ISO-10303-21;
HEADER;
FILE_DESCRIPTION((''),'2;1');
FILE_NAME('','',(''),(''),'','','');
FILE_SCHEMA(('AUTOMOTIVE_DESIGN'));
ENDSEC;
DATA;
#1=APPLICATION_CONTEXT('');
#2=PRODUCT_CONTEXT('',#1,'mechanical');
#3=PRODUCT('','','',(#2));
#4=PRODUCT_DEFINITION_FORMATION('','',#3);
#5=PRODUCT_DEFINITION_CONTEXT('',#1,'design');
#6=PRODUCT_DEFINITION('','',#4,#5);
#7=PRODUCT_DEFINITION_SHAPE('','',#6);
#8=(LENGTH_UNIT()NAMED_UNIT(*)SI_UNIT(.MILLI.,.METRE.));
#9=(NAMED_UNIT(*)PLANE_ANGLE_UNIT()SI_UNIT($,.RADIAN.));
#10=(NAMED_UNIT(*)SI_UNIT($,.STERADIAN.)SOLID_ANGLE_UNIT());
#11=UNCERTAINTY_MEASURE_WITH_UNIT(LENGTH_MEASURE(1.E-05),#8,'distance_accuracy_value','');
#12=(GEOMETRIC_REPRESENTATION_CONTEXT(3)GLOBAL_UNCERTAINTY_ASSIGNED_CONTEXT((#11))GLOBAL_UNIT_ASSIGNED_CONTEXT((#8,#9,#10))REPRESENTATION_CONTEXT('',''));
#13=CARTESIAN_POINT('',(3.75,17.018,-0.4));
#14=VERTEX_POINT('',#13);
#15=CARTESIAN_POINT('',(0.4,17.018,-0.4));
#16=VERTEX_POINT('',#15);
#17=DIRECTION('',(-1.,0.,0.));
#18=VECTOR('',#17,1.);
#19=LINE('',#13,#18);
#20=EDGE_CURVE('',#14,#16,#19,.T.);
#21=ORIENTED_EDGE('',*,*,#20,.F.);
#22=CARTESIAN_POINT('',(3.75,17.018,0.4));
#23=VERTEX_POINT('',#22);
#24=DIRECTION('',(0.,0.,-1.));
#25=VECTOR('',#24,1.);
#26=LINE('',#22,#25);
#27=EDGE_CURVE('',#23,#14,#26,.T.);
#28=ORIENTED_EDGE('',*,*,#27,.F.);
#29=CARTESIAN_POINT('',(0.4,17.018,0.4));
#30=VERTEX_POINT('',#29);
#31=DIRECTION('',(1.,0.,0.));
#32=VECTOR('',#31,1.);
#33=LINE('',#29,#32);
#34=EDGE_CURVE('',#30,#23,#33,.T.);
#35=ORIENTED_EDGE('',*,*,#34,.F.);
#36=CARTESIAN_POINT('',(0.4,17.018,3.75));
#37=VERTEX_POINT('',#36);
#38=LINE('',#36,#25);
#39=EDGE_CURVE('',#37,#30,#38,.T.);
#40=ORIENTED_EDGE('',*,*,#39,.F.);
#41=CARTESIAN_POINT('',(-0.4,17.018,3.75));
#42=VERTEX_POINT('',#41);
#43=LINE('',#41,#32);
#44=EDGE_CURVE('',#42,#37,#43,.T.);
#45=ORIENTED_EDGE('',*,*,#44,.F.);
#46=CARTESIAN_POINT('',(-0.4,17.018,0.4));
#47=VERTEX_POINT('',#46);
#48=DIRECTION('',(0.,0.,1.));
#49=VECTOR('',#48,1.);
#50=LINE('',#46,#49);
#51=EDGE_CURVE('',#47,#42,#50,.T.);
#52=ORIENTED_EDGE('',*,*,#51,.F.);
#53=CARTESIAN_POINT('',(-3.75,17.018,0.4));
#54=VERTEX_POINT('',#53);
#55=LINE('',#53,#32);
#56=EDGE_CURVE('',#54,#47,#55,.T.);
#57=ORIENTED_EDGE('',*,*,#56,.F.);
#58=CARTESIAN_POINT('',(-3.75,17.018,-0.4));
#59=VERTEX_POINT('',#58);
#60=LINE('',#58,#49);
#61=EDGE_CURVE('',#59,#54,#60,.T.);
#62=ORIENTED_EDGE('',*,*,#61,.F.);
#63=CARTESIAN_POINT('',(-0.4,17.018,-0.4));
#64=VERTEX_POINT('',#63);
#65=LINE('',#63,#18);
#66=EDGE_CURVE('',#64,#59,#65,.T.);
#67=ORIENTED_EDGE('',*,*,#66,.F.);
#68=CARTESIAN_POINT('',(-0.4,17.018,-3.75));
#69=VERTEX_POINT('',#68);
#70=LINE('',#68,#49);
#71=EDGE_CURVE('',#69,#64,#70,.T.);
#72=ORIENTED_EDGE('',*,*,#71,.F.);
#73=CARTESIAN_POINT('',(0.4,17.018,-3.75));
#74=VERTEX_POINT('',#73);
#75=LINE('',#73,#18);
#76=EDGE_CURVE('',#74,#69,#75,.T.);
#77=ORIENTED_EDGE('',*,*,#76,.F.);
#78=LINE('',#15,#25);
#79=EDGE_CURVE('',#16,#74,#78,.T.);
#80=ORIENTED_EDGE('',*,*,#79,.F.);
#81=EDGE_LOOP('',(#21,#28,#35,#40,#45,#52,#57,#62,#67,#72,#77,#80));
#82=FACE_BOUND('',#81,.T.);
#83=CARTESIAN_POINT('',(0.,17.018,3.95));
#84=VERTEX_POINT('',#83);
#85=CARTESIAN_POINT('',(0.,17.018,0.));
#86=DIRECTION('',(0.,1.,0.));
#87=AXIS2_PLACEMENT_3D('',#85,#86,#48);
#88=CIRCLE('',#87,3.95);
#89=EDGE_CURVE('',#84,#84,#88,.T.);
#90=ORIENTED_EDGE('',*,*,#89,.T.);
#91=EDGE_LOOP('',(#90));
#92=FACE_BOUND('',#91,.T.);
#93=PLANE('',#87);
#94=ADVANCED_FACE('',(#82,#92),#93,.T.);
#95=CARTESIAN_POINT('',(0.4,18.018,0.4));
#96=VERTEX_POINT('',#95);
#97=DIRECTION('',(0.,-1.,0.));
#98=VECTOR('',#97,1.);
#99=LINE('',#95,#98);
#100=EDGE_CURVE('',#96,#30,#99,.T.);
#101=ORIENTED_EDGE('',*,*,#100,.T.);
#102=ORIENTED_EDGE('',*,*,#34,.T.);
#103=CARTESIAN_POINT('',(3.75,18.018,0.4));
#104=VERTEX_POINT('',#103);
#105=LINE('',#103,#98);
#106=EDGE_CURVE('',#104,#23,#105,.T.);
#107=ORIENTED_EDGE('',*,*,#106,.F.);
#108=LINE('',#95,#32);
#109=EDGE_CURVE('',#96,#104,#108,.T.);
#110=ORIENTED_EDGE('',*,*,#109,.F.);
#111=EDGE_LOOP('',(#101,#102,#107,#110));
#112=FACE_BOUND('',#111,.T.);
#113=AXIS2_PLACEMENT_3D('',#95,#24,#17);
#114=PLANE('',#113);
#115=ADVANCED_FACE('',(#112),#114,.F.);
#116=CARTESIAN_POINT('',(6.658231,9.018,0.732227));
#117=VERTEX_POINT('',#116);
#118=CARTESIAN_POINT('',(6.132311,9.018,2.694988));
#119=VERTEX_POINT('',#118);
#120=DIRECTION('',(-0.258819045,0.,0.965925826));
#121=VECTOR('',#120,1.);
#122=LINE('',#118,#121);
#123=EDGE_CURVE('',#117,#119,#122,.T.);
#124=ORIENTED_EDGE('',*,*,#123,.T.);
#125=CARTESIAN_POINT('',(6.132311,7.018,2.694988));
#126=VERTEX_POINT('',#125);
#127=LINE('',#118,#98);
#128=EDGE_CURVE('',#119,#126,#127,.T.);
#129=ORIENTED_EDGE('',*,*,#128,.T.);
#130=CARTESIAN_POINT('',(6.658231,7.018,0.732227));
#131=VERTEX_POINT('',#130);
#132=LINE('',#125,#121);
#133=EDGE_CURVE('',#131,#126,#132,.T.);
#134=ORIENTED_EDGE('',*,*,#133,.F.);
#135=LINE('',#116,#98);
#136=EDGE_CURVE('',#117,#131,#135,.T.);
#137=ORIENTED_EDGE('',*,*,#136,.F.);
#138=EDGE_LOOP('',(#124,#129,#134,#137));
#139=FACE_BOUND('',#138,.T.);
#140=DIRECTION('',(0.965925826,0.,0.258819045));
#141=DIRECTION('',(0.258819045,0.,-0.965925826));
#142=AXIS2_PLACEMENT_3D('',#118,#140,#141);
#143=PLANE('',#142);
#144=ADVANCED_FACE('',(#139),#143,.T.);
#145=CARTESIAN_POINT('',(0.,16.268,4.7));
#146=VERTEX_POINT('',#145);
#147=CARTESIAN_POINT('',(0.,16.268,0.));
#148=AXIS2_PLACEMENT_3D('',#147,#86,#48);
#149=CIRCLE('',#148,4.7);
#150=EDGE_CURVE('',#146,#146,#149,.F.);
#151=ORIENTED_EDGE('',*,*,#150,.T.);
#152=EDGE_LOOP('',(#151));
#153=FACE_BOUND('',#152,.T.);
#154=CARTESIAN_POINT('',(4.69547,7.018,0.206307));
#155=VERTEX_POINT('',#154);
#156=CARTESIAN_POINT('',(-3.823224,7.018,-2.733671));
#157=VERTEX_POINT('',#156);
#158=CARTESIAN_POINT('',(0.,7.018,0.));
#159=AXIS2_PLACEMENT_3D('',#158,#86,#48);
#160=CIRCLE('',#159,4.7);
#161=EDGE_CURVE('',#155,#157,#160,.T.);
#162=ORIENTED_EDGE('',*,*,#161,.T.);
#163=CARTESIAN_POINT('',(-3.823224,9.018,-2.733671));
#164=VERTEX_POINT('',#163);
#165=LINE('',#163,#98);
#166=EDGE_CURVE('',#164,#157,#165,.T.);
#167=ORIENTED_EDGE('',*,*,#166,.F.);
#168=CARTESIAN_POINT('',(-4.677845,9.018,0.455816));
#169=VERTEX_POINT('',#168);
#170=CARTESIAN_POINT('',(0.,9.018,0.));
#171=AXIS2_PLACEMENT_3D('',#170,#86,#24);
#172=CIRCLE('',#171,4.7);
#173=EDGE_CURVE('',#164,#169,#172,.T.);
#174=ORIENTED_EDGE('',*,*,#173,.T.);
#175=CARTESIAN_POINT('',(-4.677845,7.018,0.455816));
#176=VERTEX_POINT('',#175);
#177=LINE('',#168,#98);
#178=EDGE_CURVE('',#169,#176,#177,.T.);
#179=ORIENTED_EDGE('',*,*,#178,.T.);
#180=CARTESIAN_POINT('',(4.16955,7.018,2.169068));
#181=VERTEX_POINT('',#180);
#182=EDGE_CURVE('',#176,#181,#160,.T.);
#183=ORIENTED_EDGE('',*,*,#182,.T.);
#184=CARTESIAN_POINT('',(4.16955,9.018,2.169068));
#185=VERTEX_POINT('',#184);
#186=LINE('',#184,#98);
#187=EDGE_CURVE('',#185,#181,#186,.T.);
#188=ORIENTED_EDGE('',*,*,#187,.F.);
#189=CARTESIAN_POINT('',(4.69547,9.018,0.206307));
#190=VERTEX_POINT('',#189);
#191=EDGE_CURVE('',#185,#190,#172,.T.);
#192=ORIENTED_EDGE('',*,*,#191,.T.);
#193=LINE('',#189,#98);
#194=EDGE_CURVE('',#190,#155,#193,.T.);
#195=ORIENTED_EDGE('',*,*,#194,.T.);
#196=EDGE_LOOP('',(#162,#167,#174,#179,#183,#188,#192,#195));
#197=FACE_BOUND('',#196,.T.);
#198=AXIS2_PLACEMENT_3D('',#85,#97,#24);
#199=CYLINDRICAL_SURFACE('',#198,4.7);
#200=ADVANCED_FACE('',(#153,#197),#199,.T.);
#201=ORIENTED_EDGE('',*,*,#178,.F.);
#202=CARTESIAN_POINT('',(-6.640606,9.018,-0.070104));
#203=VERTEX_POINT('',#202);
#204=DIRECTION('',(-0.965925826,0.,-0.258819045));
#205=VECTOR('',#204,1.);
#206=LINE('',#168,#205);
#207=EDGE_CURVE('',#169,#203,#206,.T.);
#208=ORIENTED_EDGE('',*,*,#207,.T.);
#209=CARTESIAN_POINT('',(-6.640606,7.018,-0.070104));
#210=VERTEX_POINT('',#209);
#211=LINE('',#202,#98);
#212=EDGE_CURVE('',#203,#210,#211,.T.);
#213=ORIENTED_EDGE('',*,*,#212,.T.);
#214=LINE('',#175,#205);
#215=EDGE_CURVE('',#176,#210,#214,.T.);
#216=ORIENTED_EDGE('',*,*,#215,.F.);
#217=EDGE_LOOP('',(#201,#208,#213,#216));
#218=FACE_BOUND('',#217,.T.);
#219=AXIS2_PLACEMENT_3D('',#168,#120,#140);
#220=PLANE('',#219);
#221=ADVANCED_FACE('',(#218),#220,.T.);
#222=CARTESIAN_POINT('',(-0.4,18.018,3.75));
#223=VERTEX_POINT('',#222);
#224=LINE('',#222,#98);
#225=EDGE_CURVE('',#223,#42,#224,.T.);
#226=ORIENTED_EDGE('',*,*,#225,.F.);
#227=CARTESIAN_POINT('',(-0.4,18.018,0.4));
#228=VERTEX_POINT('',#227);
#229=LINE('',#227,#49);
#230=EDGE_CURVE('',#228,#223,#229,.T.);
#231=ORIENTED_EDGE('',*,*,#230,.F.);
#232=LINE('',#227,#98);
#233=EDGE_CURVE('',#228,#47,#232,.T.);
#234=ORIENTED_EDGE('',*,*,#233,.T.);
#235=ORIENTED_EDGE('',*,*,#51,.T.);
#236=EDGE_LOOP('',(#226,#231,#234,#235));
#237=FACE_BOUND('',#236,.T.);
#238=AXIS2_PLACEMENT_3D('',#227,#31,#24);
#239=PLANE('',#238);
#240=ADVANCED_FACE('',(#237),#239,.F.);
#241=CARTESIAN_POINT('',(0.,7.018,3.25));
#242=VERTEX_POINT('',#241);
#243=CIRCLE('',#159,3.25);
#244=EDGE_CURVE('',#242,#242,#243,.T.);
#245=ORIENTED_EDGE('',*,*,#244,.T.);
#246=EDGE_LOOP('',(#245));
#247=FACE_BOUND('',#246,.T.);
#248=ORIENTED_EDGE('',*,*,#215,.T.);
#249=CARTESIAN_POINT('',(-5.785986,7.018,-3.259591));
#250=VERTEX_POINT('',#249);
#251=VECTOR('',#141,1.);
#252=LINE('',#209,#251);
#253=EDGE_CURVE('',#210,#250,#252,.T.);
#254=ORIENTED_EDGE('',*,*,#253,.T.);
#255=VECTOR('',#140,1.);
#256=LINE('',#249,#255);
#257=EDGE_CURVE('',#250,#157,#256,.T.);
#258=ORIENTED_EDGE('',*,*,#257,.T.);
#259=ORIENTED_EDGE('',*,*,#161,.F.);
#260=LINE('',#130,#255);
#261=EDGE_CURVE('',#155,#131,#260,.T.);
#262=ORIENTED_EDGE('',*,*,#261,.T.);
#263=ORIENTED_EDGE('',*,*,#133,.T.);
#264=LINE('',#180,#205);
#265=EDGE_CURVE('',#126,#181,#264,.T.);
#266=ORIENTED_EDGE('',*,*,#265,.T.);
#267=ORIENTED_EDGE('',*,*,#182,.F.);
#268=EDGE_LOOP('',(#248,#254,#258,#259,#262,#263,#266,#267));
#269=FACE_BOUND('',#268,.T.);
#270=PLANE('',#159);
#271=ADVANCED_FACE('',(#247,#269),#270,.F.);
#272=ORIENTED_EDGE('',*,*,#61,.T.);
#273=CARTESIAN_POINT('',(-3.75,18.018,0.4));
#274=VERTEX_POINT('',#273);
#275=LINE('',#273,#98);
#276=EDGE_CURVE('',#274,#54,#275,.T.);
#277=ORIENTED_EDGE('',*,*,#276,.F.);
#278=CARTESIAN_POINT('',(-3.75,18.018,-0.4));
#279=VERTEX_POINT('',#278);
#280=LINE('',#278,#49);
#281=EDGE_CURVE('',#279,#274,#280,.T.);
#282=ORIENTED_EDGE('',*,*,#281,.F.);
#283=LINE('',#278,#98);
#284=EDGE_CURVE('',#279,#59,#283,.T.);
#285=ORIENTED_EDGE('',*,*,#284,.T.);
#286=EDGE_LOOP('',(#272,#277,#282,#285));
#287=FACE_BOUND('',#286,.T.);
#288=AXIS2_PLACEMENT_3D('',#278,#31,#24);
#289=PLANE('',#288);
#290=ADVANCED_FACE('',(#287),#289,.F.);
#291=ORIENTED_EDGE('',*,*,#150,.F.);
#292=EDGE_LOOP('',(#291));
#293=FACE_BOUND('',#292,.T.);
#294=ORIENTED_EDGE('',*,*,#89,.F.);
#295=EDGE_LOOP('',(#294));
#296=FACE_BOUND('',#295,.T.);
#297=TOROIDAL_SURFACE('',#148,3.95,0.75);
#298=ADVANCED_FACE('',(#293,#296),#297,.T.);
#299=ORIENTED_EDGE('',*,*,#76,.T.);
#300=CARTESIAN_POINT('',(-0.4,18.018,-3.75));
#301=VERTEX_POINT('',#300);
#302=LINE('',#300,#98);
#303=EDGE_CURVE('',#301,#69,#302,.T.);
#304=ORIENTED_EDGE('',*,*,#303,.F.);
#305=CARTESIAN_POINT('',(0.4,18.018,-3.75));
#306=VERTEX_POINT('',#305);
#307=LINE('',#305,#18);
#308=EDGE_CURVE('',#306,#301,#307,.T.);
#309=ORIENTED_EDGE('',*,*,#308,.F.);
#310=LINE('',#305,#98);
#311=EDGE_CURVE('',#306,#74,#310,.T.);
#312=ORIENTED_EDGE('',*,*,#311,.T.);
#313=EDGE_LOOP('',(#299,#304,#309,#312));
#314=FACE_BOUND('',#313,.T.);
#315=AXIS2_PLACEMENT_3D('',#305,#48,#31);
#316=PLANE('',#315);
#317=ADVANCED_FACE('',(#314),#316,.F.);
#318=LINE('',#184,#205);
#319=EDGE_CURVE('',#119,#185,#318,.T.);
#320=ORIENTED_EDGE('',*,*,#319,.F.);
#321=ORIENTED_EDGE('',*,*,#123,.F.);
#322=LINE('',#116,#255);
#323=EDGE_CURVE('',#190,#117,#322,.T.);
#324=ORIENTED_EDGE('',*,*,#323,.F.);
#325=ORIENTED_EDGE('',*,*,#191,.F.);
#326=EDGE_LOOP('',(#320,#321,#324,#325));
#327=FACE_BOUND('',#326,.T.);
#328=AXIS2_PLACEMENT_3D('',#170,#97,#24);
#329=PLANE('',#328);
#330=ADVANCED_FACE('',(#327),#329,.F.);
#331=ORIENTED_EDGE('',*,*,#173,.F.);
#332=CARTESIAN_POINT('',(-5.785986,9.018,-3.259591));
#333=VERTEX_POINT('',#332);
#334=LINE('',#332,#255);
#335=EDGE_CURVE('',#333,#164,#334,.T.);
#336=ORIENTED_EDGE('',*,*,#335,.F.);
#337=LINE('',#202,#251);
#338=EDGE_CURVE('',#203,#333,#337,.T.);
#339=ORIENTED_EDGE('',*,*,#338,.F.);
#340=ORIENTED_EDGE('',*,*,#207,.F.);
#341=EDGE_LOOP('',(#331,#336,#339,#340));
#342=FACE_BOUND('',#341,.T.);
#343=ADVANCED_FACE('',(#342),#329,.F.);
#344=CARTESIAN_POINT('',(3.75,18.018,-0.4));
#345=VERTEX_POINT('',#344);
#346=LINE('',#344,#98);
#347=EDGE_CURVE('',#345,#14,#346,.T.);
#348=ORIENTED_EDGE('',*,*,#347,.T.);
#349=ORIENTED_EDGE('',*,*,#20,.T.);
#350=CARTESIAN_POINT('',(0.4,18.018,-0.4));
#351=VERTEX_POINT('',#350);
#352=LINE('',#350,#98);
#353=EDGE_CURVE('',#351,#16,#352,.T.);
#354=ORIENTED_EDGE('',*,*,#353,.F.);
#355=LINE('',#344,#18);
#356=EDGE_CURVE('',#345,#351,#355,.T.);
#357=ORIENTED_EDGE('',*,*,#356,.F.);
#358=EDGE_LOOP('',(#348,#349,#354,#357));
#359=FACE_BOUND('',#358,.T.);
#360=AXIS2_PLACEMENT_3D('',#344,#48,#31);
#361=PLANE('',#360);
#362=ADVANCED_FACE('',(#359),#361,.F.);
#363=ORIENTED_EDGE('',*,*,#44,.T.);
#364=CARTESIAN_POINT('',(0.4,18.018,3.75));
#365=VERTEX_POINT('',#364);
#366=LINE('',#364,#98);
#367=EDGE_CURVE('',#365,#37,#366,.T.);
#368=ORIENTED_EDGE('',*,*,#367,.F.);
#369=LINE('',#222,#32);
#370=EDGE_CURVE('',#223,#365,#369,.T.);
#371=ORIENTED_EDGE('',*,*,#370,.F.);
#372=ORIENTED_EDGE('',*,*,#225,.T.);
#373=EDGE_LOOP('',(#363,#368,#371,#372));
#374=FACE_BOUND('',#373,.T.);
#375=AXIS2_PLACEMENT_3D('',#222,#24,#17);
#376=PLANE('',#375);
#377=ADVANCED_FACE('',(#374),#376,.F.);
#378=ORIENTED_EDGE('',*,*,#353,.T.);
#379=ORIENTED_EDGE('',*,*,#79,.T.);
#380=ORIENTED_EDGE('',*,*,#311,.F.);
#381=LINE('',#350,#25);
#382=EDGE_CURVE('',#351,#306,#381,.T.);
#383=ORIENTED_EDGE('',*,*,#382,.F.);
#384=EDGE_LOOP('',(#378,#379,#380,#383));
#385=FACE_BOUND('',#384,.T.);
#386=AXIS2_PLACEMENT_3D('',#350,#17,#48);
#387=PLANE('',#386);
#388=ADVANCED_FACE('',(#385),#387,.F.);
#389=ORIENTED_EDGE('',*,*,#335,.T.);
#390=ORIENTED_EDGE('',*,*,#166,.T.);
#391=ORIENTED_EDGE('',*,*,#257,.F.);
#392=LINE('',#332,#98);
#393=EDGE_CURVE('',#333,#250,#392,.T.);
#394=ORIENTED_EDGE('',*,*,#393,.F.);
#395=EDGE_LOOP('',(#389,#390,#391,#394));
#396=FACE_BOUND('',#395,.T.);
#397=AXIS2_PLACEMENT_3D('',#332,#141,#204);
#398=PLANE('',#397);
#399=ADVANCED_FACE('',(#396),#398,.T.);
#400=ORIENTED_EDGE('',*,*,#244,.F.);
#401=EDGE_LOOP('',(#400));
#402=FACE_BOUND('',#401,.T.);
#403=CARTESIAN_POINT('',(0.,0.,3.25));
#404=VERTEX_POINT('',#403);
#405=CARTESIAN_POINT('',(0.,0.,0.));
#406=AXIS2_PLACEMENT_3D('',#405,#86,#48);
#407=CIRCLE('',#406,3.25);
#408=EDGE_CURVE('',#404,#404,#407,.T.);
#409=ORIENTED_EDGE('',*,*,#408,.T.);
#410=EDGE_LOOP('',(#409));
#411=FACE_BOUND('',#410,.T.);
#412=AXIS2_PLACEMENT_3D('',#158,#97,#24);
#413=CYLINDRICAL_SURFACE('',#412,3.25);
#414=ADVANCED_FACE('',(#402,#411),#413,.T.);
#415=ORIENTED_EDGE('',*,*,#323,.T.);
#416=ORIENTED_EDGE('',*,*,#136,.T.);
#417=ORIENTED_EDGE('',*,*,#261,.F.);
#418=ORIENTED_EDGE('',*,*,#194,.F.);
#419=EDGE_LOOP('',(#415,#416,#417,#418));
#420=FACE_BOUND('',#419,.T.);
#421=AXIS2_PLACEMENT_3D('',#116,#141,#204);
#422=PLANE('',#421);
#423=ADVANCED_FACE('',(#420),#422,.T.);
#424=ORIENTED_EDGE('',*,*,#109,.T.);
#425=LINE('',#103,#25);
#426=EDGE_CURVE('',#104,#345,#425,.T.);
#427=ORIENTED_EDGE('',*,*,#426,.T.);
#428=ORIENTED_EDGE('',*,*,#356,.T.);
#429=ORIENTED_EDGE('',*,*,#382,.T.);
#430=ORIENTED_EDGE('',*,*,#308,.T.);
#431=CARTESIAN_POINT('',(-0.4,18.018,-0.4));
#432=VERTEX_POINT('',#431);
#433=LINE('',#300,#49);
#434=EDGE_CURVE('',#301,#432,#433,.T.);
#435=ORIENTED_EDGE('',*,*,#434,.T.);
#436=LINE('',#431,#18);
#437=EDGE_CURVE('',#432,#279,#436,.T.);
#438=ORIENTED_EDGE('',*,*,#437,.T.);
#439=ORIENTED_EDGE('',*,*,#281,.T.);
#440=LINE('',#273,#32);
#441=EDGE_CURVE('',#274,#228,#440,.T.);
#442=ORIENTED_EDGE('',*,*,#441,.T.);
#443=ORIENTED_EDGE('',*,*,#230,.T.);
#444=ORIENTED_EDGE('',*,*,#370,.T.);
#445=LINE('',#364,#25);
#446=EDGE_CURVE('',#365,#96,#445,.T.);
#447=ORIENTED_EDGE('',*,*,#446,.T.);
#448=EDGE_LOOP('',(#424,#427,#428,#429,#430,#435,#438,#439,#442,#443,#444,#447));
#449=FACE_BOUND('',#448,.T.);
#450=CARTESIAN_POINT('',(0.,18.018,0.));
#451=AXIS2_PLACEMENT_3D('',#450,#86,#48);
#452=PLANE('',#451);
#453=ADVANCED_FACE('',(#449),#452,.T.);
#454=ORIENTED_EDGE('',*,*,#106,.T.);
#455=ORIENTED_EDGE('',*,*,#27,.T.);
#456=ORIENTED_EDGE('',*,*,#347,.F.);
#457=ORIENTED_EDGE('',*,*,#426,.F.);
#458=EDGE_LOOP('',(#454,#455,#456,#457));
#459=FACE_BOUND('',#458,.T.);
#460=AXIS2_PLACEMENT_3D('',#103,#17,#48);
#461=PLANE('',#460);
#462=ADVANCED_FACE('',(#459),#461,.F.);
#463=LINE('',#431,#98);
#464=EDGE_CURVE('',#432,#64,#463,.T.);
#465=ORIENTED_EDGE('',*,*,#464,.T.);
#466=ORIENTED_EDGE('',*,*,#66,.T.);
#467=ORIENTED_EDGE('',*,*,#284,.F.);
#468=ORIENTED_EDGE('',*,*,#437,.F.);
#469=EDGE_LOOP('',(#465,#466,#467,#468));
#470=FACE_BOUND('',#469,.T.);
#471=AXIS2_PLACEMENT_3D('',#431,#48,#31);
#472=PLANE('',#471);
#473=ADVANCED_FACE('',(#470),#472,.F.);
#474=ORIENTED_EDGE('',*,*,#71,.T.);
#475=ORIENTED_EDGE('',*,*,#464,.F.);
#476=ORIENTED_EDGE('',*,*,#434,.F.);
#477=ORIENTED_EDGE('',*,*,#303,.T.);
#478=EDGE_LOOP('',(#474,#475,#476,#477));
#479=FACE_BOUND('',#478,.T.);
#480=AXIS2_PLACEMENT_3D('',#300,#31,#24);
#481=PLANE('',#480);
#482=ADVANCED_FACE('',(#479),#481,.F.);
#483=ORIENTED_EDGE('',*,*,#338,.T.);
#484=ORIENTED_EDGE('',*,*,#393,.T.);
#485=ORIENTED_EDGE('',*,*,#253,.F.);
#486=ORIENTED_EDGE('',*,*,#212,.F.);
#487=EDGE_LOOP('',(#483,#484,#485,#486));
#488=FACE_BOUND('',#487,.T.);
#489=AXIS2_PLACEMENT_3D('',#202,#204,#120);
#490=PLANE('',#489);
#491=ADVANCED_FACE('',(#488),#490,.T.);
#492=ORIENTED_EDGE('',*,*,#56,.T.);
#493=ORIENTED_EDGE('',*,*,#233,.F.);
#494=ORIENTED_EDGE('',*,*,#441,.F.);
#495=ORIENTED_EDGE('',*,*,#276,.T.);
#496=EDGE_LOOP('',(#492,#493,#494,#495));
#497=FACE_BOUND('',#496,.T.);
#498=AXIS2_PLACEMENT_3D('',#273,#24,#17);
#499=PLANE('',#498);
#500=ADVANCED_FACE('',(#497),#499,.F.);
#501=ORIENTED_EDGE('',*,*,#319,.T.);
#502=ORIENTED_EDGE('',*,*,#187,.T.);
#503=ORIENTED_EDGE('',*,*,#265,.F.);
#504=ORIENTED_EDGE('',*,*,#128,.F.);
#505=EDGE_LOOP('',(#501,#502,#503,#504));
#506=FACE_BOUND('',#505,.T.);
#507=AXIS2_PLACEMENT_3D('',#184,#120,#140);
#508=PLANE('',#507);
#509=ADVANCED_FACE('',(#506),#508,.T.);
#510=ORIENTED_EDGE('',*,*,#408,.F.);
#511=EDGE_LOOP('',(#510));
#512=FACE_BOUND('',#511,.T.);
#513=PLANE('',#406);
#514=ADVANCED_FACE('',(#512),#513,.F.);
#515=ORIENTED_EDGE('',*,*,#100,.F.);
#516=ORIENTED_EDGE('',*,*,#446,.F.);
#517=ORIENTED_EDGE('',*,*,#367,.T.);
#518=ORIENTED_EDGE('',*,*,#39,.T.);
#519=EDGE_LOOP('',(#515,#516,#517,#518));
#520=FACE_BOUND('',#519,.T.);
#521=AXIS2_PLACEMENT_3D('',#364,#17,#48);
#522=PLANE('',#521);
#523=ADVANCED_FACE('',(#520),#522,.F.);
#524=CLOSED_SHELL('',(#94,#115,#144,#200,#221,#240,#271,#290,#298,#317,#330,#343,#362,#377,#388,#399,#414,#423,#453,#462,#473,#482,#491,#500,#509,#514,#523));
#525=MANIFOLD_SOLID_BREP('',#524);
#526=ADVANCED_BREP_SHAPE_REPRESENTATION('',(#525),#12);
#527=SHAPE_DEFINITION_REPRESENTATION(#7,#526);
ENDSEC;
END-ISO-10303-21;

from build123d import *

# Parameters (mm, degrees)
SKETCH1_R           = 3.25
BOSS_EXTRUDE1_DEPTH = 7.018
SKETCH6_R           = 4.7
BOSS_EXTRUDE2_DEPTH = 10
BOSS_EXTRUDE3_DEPTH = 1
FILLET1_R           = 0.75
BOSS_EXTRUDE4_DEPTH = 2


with BuildPart() as part:
    # Sketch1 → Boss-Extrude1 (new body)
    with BuildSketch(Plane(origin=(0, 0, 0), x_dir=(1, 0, 0), z_dir=(0, 1, 0))):
        Circle(SKETCH1_R)
    extrude(amount=BOSS_EXTRUDE1_DEPTH)

    # Sketch6 → Boss-Extrude2 (add)
    with BuildSketch(Plane(origin=(0, 7.018, 0), x_dir=(1, 0, 0), z_dir=(0, 1, 0))):
        Circle(SKETCH6_R)
    extrude(amount=BOSS_EXTRUDE2_DEPTH)

    # Sketch8 → Boss-Extrude3 (add)
    with BuildSketch(Plane(origin=(0, 17.018, 0), x_dir=(1, 0, 0), z_dir=(0, 1, 0))):
        Polygon((0.4, 3.75), (-0.4, 3.75), (-0.4, 0.4), (-3.75, 0.4), (-3.75, -0.4), (-0.4, -0.4), (-0.4, -3.75), (0.4, -3.75), (0.4, -0.4), (3.75, -0.4), (3.75, 0.4), (0.4, 0.4), align=None)
    extrude(amount=BOSS_EXTRUDE3_DEPTH)

    # Fillet1
    fillet1_edges = [part.edges().sort_by_distance(p)[0] for p in [
        (-4.7, 17.018, 0),
    ]]
    fillet(fillet1_edges, radius=FILLET1_R)

    # Sketch10 → Boss-Extrude4 (add)
    with BuildSketch(Plane.XZ.offset(-7.018)):
        with BuildLine():
            Line((4.169549594, 2.169068046), (6.132310873, 2.694988345))
            Line((6.132310873, 2.694988345), (6.658231172, 0.732227066))
            Line((6.658231172, 0.732227066), (4.695469893, 0.206306767))
            ThreePointArc((4.695469893, 0.206306767), (4.539851384, 1.216449512), (4.169549594, 2.169068046))
        make_face()
        with BuildLine():
            Line((-4.677844754, 0.45581625), (-6.640606033, -0.07010405))
            Line((-6.640606033, -0.07010405), (-5.785985547, -3.259591128))
            Line((-5.785985547, -3.259591128), (-3.823224268, -2.733670829))
            ThreePointArc((-3.823224268, -2.733670829), (-4.539851384, -1.216449512), (-4.677844754, 0.45581625))
        make_face()
    extrude(amount=-BOSS_EXTRUDE4_DEPTH)


solid = part.part
